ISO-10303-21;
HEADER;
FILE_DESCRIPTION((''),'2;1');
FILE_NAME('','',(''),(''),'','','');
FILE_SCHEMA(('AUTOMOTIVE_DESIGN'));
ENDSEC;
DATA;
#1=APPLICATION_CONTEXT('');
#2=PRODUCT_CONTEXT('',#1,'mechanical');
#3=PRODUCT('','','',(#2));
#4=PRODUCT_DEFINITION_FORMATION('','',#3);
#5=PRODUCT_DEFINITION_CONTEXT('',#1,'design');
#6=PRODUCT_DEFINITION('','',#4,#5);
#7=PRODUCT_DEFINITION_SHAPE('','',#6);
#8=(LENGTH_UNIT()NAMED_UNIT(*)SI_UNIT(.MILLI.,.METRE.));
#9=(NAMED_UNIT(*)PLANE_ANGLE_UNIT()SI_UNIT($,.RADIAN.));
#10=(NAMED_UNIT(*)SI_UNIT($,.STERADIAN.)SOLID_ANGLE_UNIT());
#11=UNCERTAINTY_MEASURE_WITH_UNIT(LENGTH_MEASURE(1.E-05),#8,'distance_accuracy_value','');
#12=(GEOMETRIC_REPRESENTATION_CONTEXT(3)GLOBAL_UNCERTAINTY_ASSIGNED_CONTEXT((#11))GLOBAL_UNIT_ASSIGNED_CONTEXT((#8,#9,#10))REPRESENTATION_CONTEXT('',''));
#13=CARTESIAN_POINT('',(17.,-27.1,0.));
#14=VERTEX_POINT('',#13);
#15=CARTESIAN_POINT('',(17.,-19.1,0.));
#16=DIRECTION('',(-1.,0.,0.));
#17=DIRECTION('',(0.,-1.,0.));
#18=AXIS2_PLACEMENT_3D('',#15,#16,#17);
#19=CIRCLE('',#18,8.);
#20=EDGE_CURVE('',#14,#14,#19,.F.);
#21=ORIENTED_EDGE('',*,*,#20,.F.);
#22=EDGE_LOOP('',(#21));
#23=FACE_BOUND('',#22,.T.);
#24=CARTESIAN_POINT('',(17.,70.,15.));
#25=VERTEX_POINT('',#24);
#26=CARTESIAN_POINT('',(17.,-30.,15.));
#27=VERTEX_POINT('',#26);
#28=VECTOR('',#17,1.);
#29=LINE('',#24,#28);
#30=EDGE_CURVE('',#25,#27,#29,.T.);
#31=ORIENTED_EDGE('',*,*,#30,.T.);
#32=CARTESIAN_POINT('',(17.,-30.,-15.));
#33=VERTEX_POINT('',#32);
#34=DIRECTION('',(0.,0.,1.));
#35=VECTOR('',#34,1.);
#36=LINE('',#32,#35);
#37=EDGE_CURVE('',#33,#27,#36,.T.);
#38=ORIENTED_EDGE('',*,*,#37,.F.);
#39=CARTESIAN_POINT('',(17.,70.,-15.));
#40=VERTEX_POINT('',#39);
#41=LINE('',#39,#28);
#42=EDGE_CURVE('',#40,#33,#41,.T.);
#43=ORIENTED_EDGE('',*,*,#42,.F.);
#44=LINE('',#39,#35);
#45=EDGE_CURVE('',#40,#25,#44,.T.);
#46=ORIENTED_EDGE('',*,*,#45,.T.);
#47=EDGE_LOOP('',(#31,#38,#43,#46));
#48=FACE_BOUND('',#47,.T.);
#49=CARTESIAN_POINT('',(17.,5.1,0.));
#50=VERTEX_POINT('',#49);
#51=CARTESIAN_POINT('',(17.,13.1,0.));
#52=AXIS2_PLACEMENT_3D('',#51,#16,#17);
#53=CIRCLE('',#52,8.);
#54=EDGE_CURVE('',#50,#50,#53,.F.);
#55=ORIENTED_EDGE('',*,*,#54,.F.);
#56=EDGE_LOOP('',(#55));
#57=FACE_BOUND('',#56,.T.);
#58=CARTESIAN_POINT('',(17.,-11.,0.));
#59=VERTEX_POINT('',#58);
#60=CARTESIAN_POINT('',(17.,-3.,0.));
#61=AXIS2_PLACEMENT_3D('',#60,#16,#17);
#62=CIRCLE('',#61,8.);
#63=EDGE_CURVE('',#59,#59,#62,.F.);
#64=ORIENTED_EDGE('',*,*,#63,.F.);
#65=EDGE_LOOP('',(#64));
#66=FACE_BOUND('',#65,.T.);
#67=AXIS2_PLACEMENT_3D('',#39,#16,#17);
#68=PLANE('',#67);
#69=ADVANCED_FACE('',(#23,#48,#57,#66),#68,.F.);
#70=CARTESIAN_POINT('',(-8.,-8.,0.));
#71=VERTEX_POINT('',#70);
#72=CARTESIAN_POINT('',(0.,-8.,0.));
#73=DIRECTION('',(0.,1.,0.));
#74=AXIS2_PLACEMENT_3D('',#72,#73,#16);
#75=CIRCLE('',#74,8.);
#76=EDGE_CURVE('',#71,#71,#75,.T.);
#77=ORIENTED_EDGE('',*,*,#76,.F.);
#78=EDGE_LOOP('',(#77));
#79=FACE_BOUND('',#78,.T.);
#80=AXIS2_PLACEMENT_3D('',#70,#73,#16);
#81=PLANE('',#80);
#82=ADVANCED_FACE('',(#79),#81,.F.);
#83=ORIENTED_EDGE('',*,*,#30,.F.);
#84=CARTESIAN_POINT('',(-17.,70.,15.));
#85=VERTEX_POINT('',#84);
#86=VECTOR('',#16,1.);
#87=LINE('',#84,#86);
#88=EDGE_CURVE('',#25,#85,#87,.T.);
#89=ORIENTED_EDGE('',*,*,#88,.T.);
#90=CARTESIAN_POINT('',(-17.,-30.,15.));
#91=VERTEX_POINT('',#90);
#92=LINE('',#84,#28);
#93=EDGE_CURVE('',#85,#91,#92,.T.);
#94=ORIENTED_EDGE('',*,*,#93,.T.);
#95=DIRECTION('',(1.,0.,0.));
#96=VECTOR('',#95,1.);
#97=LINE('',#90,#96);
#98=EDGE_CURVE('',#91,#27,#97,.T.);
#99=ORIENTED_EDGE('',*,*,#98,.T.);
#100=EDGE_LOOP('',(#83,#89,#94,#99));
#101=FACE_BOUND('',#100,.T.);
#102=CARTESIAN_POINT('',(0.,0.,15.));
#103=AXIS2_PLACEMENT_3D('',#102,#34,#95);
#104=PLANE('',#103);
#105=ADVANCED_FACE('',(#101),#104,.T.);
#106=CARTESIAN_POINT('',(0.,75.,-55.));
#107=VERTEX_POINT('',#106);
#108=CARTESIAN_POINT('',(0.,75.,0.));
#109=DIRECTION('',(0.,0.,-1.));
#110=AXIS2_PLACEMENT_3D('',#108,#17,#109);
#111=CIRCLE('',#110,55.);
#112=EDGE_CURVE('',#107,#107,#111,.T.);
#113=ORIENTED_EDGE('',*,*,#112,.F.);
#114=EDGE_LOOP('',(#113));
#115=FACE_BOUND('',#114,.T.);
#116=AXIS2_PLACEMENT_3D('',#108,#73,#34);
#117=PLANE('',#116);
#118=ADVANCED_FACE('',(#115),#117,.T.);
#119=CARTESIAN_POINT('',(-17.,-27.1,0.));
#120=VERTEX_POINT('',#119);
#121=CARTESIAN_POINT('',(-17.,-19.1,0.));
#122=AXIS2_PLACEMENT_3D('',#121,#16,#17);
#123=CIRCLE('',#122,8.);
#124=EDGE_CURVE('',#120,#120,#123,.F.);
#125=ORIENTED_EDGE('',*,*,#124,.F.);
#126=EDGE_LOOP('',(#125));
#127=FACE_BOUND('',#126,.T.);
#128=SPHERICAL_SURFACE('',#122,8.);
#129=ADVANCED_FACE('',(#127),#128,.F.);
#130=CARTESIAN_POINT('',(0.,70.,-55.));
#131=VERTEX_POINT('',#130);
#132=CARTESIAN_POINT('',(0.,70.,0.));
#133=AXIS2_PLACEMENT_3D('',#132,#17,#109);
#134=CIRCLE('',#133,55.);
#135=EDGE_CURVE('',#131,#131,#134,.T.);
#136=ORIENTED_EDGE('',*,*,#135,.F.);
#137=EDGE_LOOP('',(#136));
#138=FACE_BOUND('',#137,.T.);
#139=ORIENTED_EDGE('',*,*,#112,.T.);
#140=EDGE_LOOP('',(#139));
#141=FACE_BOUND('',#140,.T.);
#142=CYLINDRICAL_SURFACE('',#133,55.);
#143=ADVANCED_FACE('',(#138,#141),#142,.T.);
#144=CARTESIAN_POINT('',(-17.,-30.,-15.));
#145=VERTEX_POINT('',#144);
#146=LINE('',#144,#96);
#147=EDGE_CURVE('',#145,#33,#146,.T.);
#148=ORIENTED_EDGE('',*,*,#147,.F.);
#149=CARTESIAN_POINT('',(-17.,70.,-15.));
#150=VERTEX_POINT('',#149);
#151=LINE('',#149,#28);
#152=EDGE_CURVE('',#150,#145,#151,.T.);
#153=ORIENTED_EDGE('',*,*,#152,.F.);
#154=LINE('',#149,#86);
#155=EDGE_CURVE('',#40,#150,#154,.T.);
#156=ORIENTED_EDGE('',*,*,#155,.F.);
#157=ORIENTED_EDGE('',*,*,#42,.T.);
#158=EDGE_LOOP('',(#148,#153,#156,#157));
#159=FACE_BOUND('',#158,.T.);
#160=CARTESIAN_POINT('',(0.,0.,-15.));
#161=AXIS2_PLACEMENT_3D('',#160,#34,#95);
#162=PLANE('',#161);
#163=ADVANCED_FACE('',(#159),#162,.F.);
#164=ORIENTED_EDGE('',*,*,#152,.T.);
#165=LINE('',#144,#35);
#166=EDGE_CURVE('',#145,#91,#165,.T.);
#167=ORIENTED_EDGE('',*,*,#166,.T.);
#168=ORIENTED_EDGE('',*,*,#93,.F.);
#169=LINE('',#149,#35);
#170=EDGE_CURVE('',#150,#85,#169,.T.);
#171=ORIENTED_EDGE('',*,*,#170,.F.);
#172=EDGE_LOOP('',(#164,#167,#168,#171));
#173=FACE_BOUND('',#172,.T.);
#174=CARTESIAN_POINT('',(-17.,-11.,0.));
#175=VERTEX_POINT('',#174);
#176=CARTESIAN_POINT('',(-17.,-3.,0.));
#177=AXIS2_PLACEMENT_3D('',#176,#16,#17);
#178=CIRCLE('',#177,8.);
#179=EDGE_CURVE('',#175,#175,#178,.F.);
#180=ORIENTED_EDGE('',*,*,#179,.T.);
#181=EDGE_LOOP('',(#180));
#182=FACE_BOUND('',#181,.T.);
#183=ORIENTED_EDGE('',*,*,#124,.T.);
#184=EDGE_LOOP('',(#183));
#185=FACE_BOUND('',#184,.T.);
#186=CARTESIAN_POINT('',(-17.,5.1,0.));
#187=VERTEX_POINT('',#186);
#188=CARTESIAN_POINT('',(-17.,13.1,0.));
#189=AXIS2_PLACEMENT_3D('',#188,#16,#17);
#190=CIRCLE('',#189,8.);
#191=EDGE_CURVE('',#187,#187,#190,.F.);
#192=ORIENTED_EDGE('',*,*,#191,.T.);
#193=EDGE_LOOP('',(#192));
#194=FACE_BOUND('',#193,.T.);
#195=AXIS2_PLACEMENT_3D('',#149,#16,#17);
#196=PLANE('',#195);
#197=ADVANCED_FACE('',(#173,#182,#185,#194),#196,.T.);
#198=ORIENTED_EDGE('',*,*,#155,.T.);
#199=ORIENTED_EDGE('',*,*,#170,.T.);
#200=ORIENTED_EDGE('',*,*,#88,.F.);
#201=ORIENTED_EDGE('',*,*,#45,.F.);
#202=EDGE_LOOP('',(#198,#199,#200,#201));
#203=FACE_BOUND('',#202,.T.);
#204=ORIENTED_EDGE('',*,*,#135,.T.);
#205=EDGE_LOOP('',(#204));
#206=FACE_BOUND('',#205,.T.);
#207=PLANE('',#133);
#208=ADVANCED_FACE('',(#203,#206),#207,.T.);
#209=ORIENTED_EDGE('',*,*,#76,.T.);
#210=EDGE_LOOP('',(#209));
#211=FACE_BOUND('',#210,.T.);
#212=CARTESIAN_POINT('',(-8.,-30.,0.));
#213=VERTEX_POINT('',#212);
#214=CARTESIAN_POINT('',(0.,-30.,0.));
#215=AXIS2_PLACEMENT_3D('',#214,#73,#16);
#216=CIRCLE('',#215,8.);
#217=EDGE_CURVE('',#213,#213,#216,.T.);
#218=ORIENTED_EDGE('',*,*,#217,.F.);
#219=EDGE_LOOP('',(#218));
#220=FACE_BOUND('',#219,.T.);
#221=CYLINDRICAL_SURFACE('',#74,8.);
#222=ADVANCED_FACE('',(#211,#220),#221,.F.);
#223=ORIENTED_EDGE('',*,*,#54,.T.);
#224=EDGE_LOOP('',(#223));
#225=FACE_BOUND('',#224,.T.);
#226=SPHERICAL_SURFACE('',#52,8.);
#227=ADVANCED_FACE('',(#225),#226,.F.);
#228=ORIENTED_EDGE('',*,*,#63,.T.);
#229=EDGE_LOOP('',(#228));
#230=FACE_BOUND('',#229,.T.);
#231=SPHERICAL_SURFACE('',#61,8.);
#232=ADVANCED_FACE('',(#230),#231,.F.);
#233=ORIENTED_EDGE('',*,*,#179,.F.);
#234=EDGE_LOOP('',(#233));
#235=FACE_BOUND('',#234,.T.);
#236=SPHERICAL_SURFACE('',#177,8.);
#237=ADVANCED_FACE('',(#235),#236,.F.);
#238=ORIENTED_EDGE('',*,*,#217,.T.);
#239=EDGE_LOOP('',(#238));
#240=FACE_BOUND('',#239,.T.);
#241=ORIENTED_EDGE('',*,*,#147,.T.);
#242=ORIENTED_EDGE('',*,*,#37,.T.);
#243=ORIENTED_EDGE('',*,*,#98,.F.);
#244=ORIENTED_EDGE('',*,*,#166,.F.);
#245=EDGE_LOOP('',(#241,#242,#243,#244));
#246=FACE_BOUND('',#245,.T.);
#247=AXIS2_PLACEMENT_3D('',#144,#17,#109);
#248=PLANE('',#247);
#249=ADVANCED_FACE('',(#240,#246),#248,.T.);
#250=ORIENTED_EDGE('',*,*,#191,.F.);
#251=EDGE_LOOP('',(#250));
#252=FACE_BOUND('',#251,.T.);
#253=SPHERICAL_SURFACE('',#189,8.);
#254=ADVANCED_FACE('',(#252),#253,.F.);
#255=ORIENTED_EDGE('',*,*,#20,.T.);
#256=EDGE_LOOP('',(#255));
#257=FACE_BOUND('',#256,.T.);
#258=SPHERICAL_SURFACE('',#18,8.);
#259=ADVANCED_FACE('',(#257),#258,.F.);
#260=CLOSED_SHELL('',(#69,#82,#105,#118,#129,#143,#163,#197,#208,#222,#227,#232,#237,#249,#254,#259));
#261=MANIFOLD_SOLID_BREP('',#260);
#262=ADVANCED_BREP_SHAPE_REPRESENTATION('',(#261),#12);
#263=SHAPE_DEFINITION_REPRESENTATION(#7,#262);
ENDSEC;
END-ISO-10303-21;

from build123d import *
from build123d.topology import SkipClean

# Parameters (mm, degrees)
SKETCH_5_W                 = 17
SKETCH_5_H                 = 100
EXTRUDE_1_DEPTH            = 15
PATTERN_LINEAR_1_COUNT     = 2
PATTERN_LINEAR_1_PITCH     = 16.1
PATTERN_LINEAR_1_COL_COUNT = 2
PATTERN_LINEAR_1_COL_PITCH = 16.1
SKETCH_8_W                 = 8
SKETCH_8_H                 = 22
SKETCH_9_W                 = 55
SKETCH_9_H                 = 5


with BuildPart() as part:
    # 草图5 → 凸台-拉伸1 (new, symmetric)
    with BuildSketch(Plane.XY):
        with Locations((-8.5, 20)):
            Rectangle(SKETCH_5_W, SKETCH_5_H)
    extrude_1 = extrude(amount=EXTRUDE_1_DEPTH, both=True)

    # 草图7 → 切除-旋转1 (revolve, cut)
    with BuildSketch(Plane.XY):
        with BuildLine():
            Line((-17, 5), (-17, -11))
            ThreePointArc((-17, -11), (-9, -3), (-17, 5))
        make_face()
    cut_revolve_1 = revolve(axis=Axis((-17, 5, 0), (0, -1, 0)), mode=Mode.SUBTRACT)

    # 阵列(线性)1: 切除-旋转1 ×2
    with Locations(*[(0, i * PATTERN_LINEAR_1_PITCH, 0) for i in range(1, PATTERN_LINEAR_1_COUNT)]):
        add(cut_revolve_1, mode=Mode.SUBTRACT)

    # 阵列(线性)1 col: 切除-旋转1 ×2
    with Locations(*[(0, -i * PATTERN_LINEAR_1_COL_PITCH, 0) for i in range(1, PATTERN_LINEAR_1_COL_COUNT)]):
        add(cut_revolve_1, mode=Mode.SUBTRACT)

    # 镜向2: 凸台-拉伸1 across plane
    add(extrude_1.mirror(Plane(origin=(0, 0, 0), x_dir=(0, 0, 1), z_dir=(1, 0, 0))))

    # 镜向3: 切除-旋转1 across plane
    with SkipClean():  # the faces are left unmerged after this step: merging them gives an invalid solid
        add(cut_revolve_1.mirror(Plane(origin=(0, 0, 0), x_dir=(0, 0, 1), z_dir=(1, 0, 0))), mode=Mode.SUBTRACT)

    # 镜向4 copy 1 sketch → 镜向4 copy 1 (revolve, cut)
    with SkipClean():  # the faces are left unmerged after this step: merging them gives an invalid solid
        with BuildSketch(Plane(origin=(0, 16.1, 0), x_dir=(-1, 0, 0), z_dir=(0, 0, 1))):
            with BuildLine():
                Line((-17, -5), (-17, 11))
                ThreePointArc((-17, 11), (-9, 3), (-17, -5))
            make_face()
        revolve(axis=Axis((17, 21.1, 0), (0, 1, 0)), mode=Mode.SUBTRACT)

    # 镜向4 copy 2 sketch → 镜向4 copy 2 (revolve, cut)
    with SkipClean():  # the faces are left unmerged after this step: merging them gives an invalid solid
        with BuildSketch(Plane(origin=(0, -16.1, 0), x_dir=(-1, 0, 0), z_dir=(0, 0, 1))):
            with BuildLine():
                Line((-17, -5), (-17, 11))
                ThreePointArc((-17, 11), (-9, 3), (-17, -5))
            make_face()
        revolve(axis=Axis((17, -11.1, 0), (0, 1, 0)), mode=Mode.SUBTRACT)

    # 镜向4 copy 3 sketch → 镜向4 copy 3 (revolve, cut)
    with SkipClean():  # the faces are left unmerged after this step: merging them gives an invalid solid
        with BuildSketch(Plane(origin=(0, 0, 0), x_dir=(-1, 0, 0), z_dir=(0, 0, 1))):
            with BuildLine():
                Line((-17, -5), (-17, 11))
                ThreePointArc((-17, 11), (-9, 3), (-17, -5))
            make_face()
        revolve(axis=Axis((17, 5, 0), (0, 1, 0)), mode=Mode.SUBTRACT)

    # 草图8 → 切除-旋转2 (revolve, cut)
    with SkipClean():  # the faces are left unmerged after this step: merging them gives an invalid solid
        with BuildSketch(Plane.XY):
            with Locations((-4, -19)):
                Rectangle(SKETCH_8_W, SKETCH_8_H)
        revolve(axis=Axis((0, -8, 0), (0, -1, 0)), mode=Mode.SUBTRACT)

    # 草图9 → 旋转1 (revolve)
    with SkipClean():  # the faces are left unmerged after this step: merging them gives an invalid solid
        with BuildSketch(Plane.XY):
            with Locations((27.5, 72.5)):
                Rectangle(SKETCH_9_W, SKETCH_9_H)
        revolve(axis=Axis((0, 70, 0), (0, 1, 0)))


solid = part.part
